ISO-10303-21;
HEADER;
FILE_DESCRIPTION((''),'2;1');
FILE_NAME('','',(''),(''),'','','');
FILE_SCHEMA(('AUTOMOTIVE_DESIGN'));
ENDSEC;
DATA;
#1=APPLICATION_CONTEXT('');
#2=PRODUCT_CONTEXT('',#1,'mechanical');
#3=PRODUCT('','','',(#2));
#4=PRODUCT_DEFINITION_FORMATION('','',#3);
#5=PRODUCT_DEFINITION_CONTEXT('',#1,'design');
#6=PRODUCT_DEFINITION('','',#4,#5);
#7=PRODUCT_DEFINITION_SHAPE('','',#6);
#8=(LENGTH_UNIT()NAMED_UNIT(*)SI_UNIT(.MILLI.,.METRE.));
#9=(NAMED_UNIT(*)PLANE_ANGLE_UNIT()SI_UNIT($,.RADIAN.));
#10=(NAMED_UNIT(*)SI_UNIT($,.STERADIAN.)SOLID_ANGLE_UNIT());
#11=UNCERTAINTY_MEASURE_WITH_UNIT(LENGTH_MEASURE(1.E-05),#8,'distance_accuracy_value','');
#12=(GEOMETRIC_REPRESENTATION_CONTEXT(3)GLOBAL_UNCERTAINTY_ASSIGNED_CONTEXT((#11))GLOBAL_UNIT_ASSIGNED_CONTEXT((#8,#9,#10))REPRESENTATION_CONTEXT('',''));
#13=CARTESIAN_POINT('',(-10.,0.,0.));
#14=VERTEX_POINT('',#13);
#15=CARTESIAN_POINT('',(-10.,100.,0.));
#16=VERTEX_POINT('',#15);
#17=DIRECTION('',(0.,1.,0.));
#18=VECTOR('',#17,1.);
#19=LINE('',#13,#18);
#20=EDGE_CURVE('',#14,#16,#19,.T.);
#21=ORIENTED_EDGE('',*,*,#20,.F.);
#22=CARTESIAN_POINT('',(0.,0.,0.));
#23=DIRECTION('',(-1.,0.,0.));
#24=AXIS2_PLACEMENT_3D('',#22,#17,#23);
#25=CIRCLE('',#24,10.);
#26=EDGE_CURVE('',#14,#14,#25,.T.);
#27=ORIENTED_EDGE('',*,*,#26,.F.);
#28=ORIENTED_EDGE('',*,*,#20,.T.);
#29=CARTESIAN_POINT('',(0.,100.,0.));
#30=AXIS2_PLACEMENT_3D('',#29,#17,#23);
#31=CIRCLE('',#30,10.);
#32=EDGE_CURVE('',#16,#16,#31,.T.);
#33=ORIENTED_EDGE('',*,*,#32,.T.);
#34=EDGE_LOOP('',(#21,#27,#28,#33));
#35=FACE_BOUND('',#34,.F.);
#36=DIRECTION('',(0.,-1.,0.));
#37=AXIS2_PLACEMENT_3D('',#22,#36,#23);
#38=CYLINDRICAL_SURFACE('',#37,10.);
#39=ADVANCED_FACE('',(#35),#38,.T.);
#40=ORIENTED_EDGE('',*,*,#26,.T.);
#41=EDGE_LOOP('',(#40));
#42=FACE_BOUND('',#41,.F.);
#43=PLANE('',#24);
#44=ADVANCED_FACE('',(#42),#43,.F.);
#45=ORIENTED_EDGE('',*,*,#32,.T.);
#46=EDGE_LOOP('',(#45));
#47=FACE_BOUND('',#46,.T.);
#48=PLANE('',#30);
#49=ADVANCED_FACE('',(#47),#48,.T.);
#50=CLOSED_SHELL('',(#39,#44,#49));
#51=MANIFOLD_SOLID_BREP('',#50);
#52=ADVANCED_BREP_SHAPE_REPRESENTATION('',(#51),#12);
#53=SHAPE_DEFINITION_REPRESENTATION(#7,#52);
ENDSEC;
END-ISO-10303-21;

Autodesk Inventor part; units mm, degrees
ref_plane "YZ Plane" through (0, 0, 0) normal (1, 0, 0) x (0, 1, 0)
ref_plane "XZ Plane" through (0, 0, 0) normal (0, 1, 0) x (-1, 0, 0)
ref_plane "XY Plane" through (0, 0, 0) normal (0, 0, 1) x (1, 0, 0)
sketch "Sketch1" plane through (0, 0, 0) normal (0, 1, 0) x (-1, 0, 0)
  circle A0 centre (0, 0) radius 10
  dimension "d0" = 20
extrude "Extrusion1" add sketch "Sketch1" along normal blind 100
properties part number "wał_elewacji"
